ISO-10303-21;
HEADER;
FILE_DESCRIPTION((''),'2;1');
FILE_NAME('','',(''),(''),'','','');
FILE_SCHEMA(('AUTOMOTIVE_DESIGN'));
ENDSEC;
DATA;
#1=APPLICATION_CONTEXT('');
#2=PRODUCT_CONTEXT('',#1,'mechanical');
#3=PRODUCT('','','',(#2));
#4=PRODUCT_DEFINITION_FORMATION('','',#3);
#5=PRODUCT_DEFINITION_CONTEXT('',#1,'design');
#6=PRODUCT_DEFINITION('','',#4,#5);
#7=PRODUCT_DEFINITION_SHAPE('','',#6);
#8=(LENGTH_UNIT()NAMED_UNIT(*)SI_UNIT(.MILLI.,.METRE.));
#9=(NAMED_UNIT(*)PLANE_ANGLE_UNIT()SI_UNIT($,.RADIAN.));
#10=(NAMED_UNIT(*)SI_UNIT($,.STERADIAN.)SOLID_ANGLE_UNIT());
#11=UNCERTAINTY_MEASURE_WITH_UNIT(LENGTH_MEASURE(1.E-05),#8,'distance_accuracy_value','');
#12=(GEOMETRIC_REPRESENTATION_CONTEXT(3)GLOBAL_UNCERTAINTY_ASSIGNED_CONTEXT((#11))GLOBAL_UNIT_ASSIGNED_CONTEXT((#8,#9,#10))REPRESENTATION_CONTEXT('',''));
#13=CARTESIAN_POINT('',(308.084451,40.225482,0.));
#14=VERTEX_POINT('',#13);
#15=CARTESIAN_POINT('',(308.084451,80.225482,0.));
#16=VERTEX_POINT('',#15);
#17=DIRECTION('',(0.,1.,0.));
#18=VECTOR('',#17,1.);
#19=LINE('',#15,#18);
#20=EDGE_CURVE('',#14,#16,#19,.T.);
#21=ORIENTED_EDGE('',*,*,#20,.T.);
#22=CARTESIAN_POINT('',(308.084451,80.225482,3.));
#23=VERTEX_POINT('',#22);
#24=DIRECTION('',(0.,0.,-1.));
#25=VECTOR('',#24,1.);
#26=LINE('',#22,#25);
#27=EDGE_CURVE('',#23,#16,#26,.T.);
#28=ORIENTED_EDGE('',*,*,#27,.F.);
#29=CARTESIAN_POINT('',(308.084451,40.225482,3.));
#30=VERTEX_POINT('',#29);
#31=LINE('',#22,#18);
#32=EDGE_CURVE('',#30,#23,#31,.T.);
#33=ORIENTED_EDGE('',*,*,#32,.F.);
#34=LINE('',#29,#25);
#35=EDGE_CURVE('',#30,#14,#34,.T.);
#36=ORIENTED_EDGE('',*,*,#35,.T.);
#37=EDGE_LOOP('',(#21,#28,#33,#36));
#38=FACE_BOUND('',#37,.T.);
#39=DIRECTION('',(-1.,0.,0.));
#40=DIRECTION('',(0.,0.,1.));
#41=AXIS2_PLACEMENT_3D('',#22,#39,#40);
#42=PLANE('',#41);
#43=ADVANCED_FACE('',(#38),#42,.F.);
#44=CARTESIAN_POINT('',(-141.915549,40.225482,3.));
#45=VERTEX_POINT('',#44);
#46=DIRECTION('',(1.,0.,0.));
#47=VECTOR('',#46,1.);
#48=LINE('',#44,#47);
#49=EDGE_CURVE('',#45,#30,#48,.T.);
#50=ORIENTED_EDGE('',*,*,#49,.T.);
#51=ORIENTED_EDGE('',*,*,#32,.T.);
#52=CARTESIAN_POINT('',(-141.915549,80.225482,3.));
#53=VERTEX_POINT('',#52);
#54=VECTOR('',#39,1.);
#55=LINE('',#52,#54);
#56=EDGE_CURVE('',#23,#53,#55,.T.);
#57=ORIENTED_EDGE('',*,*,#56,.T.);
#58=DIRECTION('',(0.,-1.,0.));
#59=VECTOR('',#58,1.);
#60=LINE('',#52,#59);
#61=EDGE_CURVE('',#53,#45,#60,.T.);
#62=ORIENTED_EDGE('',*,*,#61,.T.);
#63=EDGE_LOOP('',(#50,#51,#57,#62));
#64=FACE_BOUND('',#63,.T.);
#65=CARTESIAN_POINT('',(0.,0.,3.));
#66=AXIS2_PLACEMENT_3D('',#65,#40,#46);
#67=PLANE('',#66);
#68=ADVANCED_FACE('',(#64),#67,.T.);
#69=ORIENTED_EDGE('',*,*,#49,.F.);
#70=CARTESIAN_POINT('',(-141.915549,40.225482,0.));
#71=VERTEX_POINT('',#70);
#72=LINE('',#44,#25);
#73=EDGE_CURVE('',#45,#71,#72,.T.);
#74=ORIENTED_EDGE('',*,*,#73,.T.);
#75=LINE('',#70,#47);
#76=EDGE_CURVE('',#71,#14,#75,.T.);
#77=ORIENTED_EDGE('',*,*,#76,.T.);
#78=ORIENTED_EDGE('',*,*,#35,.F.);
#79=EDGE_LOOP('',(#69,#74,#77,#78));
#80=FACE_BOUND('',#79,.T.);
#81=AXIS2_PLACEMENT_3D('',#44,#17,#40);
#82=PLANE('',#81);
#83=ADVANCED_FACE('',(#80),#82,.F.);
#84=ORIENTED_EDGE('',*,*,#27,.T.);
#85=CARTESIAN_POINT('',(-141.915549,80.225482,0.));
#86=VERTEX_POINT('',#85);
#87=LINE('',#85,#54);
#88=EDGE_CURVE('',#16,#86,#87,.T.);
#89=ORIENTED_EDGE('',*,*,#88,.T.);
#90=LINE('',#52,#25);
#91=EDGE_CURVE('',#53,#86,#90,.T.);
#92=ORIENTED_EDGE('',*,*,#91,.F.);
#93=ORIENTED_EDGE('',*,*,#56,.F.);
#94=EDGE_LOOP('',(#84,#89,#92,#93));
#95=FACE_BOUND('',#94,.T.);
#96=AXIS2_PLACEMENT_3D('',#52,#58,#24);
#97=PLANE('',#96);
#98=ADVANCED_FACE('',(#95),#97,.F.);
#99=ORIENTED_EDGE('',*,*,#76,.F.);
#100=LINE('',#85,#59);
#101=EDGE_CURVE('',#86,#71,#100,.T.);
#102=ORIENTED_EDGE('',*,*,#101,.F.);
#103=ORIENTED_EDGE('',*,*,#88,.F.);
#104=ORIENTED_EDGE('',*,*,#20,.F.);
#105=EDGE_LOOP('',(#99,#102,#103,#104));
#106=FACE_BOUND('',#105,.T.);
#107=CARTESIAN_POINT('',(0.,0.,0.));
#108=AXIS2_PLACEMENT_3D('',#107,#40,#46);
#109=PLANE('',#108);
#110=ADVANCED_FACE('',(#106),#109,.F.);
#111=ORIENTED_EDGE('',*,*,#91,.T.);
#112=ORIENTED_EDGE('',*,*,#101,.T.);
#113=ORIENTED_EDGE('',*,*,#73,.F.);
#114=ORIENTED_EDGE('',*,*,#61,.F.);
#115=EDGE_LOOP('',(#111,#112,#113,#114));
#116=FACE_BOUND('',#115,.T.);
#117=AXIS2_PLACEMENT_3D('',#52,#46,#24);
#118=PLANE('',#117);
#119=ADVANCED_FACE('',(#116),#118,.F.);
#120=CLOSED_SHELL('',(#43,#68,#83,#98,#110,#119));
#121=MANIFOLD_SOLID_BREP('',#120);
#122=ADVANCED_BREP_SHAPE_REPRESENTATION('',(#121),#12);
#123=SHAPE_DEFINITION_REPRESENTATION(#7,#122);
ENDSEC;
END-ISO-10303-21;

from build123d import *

# Parameters (mm, degrees)
SKETCH_1_W      = 450
SKETCH_1_H      = 40
EXTRUDE_1_DEPTH = 3


with BuildPart() as part:
    # 草图1 → 凸台-拉伸1 (new body)
    with BuildSketch(Plane.XY):
        with Locations((83.084451327, 60.225482395)):
            Rectangle(SKETCH_1_W, SKETCH_1_H)
    extrude(amount=EXTRUDE_1_DEPTH)


solid = part.part
